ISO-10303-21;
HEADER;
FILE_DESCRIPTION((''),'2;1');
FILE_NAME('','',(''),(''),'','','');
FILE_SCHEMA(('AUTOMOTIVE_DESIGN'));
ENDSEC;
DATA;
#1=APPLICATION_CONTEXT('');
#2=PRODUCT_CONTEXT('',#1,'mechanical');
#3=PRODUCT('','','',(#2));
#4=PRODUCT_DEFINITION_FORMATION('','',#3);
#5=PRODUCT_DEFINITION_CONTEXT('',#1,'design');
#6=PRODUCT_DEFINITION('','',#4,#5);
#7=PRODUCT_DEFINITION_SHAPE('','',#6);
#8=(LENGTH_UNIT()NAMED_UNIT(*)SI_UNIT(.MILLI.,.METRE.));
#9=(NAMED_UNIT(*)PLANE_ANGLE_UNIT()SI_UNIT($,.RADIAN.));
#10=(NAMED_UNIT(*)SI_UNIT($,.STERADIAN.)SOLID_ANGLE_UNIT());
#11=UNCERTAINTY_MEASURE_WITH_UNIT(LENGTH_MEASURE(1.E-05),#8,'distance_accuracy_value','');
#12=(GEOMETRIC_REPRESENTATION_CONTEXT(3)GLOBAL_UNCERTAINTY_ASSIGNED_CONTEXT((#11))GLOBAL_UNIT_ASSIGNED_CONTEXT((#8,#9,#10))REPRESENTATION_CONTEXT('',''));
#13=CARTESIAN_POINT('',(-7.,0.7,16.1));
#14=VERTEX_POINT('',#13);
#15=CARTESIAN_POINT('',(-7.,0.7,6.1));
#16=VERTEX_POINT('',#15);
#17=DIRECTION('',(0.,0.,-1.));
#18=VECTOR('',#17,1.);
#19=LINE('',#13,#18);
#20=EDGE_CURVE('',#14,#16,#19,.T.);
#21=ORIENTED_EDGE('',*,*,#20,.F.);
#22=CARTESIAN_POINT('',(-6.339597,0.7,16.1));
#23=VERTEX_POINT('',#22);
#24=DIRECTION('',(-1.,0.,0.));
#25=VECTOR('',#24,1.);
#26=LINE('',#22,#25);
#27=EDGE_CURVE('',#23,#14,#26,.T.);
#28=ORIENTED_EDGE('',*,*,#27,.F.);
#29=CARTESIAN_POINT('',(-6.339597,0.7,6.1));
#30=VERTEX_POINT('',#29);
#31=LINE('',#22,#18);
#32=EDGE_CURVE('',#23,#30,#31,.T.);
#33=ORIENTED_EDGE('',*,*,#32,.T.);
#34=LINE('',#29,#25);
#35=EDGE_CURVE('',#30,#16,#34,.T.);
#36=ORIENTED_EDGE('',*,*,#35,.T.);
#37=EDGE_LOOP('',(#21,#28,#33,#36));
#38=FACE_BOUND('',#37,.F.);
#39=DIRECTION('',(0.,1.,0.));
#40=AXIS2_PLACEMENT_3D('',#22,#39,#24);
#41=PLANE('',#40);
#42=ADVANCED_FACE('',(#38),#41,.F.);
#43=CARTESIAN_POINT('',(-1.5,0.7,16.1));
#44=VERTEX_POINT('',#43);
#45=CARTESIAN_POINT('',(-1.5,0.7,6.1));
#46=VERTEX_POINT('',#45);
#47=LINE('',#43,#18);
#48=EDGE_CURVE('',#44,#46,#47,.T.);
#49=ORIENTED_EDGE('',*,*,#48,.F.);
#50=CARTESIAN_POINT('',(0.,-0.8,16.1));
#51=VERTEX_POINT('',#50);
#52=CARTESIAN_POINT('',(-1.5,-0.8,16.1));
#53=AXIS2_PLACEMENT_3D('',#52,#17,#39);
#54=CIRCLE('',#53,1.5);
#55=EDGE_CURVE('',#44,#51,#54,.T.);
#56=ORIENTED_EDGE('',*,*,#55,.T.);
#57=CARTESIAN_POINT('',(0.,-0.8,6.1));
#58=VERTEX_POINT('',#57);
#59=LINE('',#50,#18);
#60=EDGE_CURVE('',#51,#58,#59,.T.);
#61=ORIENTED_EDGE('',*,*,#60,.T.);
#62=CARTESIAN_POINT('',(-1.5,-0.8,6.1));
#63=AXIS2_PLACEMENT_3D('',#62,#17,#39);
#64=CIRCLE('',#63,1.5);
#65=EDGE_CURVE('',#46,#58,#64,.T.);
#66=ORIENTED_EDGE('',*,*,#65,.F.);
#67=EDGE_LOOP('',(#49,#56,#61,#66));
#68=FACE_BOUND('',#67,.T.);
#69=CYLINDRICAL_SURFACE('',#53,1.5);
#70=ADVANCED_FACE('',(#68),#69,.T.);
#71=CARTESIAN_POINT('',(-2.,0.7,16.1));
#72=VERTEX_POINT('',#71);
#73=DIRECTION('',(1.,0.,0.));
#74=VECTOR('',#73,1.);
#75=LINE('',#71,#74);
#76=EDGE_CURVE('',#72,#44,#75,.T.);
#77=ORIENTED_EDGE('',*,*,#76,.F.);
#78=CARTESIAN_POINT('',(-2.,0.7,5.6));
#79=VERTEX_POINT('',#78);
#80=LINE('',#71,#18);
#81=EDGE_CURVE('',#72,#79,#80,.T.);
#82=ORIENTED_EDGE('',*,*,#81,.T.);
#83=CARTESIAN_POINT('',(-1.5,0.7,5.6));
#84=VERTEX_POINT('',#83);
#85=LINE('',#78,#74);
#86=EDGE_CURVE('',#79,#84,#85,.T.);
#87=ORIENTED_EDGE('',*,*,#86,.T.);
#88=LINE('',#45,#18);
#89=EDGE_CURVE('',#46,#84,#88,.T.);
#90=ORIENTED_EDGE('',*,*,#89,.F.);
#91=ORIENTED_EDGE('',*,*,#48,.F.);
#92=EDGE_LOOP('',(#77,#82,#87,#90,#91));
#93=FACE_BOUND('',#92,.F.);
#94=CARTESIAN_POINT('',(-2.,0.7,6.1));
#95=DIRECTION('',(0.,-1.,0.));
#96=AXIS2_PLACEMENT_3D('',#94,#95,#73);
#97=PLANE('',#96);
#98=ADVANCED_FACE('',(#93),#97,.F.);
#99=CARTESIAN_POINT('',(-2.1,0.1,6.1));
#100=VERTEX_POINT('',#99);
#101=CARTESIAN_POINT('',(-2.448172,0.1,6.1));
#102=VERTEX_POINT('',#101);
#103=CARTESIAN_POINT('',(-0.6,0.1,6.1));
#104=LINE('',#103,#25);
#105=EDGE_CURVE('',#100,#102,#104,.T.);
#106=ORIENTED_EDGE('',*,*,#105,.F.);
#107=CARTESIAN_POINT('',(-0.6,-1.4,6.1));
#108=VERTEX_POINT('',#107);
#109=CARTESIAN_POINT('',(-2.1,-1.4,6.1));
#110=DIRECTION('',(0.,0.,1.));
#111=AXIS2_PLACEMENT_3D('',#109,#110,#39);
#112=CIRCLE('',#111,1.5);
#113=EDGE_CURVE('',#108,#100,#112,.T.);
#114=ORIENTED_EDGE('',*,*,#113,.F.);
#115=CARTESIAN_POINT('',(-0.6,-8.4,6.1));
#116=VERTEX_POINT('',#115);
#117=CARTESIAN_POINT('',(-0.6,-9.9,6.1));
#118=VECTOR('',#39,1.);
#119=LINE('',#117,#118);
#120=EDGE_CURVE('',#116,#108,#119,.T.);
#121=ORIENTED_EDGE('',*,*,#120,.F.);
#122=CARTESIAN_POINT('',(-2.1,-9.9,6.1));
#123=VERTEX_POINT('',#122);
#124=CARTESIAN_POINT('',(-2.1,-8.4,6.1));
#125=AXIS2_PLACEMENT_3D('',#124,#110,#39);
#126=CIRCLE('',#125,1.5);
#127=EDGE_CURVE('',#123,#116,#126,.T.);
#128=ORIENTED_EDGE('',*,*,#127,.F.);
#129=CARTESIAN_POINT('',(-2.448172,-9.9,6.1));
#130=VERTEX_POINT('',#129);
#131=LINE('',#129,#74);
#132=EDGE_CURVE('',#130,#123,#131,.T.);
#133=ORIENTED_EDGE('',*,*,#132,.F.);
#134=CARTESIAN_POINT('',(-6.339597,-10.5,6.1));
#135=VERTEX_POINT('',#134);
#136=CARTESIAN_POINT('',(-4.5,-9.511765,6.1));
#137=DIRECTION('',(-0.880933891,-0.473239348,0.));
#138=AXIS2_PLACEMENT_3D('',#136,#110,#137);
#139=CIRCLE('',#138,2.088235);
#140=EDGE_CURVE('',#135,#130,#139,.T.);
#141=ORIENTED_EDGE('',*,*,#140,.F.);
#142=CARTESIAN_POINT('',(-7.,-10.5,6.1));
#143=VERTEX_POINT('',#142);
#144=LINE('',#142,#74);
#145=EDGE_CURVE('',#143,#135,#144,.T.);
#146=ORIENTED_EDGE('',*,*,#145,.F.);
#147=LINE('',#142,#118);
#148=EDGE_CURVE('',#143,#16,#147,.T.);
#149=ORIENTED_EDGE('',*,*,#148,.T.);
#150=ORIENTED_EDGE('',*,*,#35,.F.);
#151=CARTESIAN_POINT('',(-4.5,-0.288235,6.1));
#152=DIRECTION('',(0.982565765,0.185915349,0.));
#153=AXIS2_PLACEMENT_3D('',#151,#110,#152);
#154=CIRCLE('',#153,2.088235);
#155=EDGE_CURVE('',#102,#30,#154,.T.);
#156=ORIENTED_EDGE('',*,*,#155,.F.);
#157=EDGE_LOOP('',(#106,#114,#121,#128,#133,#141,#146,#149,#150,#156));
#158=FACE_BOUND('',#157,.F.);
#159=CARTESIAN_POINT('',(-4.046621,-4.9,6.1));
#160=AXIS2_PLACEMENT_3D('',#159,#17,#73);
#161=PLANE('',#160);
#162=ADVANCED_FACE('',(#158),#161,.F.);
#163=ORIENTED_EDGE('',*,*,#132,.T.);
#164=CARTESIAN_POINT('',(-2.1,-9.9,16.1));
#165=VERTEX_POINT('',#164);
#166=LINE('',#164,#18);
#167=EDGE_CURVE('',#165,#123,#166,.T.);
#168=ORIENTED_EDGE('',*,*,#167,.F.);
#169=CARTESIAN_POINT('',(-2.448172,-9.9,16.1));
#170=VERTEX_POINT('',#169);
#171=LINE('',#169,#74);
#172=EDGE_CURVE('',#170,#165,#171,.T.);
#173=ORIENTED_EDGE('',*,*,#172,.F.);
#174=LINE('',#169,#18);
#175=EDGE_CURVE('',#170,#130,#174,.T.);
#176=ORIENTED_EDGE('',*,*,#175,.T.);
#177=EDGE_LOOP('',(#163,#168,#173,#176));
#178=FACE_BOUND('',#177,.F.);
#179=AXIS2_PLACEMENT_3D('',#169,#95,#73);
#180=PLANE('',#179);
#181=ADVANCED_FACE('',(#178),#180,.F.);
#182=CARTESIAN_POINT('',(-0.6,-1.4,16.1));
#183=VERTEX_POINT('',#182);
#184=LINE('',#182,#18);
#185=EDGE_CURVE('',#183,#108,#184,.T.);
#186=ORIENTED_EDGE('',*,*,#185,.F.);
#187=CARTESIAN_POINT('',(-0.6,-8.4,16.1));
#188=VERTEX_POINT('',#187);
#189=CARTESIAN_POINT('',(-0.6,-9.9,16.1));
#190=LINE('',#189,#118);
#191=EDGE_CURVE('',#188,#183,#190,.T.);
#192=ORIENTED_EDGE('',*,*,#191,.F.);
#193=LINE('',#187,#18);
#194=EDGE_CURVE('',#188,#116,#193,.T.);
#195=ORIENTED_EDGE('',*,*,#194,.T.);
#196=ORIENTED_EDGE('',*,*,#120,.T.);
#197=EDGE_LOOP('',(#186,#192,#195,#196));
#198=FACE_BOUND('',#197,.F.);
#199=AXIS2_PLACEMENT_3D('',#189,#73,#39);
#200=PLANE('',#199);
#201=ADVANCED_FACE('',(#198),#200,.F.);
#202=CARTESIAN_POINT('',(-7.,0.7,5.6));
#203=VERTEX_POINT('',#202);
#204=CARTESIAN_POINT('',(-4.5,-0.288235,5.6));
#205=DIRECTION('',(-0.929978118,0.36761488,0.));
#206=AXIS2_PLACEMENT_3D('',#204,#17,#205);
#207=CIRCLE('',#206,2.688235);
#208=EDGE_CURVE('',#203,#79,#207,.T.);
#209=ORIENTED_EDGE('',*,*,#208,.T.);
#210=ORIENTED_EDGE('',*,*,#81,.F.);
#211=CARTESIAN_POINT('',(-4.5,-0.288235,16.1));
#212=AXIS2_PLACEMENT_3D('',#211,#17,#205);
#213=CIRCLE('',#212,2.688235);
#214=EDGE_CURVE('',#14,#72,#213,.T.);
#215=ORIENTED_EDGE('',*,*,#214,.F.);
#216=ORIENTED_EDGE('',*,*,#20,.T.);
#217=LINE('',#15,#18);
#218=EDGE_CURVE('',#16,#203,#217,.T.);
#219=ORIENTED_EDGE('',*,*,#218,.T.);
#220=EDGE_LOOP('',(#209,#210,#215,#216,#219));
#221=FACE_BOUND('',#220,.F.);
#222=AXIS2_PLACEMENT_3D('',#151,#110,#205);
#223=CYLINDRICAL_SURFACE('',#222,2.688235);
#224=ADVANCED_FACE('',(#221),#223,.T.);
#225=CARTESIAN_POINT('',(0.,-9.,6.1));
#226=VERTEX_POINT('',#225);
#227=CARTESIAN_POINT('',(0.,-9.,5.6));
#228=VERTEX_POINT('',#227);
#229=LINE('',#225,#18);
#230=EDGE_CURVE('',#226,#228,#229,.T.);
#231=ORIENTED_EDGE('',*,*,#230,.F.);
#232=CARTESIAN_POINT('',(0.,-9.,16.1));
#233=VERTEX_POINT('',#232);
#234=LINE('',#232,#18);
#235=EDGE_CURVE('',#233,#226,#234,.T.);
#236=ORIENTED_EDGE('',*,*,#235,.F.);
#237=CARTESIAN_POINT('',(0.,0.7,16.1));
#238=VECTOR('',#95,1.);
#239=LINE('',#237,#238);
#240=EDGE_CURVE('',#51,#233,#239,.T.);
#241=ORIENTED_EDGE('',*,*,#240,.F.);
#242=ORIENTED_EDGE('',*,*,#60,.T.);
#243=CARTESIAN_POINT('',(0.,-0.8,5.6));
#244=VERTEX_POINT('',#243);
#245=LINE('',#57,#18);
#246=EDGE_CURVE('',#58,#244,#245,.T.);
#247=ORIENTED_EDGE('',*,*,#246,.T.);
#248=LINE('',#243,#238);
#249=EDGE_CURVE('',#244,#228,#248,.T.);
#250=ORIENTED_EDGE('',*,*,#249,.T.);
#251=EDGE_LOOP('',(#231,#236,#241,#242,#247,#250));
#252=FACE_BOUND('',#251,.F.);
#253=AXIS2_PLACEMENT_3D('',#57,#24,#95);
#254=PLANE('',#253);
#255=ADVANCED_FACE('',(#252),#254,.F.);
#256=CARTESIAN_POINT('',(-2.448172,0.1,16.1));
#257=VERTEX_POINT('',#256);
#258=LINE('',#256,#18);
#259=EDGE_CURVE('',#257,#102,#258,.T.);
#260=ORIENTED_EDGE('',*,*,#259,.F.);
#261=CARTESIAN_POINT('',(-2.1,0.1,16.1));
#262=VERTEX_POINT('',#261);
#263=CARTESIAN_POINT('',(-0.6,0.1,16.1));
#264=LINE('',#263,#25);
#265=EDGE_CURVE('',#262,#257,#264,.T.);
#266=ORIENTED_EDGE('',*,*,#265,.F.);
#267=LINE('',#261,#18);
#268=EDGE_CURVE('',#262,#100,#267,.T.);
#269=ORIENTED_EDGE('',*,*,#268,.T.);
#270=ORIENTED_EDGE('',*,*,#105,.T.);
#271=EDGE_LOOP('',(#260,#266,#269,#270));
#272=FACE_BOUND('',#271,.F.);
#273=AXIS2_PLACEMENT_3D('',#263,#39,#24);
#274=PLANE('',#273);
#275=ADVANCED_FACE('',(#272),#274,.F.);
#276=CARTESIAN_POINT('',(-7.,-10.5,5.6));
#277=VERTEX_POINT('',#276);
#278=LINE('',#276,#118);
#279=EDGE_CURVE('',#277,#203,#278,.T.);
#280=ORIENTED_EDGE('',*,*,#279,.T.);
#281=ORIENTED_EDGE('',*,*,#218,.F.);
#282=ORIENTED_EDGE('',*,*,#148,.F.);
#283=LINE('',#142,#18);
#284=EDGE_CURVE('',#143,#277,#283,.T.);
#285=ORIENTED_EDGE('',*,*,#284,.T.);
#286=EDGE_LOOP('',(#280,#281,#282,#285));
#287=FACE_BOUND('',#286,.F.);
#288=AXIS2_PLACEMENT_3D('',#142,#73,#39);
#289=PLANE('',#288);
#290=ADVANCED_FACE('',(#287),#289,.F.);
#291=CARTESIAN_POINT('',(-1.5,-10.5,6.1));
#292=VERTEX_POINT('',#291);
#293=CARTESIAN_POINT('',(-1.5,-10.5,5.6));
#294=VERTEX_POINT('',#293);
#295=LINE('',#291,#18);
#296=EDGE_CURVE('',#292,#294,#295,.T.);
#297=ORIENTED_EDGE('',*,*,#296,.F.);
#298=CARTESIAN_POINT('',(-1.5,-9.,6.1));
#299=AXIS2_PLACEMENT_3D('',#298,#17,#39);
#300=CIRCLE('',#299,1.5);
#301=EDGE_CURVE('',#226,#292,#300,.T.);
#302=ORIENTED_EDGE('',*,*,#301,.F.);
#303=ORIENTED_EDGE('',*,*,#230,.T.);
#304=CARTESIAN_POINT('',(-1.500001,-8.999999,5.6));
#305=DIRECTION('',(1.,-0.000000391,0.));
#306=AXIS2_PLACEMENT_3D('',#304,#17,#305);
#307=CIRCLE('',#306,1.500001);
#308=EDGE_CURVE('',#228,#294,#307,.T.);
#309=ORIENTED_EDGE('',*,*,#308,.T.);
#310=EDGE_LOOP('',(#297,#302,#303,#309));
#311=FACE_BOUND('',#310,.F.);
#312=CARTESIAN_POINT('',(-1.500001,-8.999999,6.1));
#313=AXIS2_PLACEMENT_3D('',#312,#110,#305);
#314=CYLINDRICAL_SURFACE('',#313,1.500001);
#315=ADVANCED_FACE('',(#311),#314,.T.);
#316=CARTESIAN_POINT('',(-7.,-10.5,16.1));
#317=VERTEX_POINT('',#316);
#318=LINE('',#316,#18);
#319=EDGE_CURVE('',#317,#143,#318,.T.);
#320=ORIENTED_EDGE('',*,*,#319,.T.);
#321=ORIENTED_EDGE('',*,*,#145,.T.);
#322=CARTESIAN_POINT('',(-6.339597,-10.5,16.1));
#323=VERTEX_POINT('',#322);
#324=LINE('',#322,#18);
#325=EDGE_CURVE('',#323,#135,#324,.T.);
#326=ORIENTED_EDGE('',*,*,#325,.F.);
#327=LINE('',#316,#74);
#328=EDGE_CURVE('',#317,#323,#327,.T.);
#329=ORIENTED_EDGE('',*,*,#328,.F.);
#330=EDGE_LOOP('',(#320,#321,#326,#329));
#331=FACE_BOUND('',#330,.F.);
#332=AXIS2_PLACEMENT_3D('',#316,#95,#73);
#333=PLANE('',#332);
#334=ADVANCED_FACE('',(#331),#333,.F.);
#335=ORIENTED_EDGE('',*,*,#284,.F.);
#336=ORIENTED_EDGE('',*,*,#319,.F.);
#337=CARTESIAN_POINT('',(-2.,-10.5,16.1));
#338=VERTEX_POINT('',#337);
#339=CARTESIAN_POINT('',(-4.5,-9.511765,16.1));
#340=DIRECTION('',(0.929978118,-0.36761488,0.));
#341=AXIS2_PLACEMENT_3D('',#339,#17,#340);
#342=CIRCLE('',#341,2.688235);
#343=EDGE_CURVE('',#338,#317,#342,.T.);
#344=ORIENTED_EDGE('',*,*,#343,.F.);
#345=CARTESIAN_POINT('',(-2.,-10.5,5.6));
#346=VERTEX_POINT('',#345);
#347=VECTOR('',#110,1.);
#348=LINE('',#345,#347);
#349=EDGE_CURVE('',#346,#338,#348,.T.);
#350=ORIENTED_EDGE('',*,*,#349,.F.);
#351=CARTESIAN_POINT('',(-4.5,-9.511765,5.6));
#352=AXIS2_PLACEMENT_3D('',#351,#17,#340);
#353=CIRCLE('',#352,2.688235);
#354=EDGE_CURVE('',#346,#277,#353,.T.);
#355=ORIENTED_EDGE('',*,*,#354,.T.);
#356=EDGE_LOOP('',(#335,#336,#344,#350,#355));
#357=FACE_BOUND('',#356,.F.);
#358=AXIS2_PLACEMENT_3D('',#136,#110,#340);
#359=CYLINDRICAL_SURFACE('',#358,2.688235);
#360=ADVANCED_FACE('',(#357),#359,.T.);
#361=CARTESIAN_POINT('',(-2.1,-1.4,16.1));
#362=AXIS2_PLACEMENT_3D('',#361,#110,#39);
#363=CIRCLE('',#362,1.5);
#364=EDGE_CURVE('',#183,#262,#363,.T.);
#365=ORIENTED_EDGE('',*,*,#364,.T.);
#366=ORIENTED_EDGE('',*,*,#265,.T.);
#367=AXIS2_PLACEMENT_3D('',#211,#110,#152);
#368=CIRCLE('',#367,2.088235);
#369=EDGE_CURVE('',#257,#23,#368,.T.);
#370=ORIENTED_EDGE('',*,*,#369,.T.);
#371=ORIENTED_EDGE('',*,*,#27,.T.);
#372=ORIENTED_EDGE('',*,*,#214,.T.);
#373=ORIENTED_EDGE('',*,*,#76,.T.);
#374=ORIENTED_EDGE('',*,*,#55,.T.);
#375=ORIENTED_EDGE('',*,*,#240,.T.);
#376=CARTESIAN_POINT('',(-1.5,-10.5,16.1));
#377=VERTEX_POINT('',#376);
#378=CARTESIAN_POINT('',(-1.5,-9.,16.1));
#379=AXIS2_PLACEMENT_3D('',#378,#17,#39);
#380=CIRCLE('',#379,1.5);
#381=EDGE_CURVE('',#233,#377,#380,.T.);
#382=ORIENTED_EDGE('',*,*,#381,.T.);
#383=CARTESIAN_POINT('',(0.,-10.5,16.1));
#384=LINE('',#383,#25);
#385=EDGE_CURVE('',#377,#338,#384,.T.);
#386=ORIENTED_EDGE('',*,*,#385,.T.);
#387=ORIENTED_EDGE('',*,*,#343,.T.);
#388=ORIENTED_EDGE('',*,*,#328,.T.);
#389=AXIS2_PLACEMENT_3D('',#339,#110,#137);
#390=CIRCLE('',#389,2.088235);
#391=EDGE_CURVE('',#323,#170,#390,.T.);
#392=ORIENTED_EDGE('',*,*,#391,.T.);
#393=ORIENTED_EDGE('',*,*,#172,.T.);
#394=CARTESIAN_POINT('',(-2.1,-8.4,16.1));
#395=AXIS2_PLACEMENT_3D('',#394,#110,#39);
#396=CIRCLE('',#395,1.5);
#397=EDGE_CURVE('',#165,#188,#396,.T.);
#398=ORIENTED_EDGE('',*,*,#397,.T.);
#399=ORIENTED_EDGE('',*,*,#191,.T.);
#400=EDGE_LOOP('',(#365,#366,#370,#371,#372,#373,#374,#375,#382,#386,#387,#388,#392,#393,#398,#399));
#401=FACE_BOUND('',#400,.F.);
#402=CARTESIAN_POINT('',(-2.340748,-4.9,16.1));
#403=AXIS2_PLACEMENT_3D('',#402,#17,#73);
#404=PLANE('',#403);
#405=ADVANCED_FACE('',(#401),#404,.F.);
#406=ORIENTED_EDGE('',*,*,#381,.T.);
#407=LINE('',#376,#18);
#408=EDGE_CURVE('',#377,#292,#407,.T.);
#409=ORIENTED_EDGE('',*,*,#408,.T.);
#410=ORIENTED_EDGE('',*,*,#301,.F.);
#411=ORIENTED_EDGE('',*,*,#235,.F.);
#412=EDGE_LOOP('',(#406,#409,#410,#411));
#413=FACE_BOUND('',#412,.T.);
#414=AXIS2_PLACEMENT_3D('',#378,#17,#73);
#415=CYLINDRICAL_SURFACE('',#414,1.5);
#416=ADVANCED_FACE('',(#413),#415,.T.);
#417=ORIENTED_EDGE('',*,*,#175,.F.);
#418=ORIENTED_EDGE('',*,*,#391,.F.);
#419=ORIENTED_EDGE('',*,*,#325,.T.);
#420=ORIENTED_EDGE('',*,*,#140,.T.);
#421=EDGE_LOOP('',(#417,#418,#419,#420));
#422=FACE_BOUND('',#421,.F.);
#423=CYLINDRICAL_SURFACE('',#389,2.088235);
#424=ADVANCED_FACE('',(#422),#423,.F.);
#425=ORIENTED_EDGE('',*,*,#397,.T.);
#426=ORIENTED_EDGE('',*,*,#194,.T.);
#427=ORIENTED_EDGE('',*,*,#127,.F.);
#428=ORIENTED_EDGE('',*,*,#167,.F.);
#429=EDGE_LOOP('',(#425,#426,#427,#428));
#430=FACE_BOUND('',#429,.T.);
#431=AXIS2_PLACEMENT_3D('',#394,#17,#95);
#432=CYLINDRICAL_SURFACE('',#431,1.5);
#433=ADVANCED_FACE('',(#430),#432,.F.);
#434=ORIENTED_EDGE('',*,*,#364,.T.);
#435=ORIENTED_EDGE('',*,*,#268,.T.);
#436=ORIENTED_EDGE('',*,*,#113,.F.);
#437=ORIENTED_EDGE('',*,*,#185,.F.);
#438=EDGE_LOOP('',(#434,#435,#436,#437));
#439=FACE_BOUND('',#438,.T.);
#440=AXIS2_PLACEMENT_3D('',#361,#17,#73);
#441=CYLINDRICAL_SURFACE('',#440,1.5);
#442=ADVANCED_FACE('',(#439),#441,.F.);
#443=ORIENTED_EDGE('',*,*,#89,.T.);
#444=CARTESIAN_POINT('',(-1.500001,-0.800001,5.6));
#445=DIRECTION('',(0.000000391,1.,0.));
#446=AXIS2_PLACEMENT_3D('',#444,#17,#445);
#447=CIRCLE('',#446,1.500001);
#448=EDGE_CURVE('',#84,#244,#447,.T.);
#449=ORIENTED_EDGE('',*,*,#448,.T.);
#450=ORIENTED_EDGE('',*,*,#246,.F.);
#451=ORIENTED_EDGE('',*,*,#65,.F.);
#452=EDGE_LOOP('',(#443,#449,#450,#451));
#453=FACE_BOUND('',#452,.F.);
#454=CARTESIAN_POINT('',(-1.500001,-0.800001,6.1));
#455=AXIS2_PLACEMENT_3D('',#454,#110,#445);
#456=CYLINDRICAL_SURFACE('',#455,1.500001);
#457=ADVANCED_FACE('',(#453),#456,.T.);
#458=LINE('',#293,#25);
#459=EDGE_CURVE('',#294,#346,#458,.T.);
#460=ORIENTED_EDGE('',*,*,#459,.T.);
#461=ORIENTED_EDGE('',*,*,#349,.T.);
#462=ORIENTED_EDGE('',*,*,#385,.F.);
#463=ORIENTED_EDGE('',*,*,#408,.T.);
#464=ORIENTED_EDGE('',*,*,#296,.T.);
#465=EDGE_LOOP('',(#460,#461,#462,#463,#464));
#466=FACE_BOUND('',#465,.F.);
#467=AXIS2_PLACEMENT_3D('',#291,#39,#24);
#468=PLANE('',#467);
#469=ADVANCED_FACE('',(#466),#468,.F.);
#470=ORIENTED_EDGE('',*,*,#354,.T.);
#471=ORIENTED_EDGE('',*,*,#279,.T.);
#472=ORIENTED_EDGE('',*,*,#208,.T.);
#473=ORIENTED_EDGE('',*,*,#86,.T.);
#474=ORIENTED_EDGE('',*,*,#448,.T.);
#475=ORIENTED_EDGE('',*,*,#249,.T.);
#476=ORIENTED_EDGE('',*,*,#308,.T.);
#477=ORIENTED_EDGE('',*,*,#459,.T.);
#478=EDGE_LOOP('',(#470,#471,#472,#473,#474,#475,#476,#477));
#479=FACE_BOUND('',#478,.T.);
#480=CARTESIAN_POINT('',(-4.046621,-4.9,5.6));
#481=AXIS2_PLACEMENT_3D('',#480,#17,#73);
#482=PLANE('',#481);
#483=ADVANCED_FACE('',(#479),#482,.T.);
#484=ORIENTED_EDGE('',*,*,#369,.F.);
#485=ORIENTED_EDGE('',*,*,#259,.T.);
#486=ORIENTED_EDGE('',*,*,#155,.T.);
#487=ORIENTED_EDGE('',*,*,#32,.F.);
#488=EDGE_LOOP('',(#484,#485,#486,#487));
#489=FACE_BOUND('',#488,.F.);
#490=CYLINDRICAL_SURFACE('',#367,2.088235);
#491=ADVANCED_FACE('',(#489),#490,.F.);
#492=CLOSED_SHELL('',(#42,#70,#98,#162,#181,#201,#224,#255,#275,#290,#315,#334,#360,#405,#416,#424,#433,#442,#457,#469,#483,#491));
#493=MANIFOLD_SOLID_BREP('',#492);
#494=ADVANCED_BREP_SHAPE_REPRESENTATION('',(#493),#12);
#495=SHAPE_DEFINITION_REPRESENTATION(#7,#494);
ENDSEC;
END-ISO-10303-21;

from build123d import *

# Parameters (mm, degrees)
F1_DEPTH = 10
F2_R     = 1.5
F4_DEPTH = 0.5
F5_ANGLE = -90


with BuildPart() as f1:
    # F0 (on Front) → F1 (new body)
    with BuildSketch(Plane.XZ):
        with BuildLine():
            Line((-2, -5.6), (0, -5.6))
            Line((0, -5.6), (0, 5.6))
            Line((0, 5.6), (-2, 5.6))
            ThreePointArc((-2, 5.6), (-4.5, 7.3), (-7, 5.6))
            Line((-7, 5.6), (-6.339597, 5.6))
            ThreePointArc((-6.339597, 5.6), (-4.181785, 6.675612), (-2.448172, 5))
            Line((-2.448172, 5), (-0.6, 5))
            Line((-0.6, 5), (-0.6, -5))
            Line((-0.6, -5), (-2.448172, -5))
            ThreePointArc((-2.448172, -5), (-4.181785, -6.675612), (-6.339597, -5.6))
            Line((-6.339597, -5.6), (-7, -5.6))
            ThreePointArc((-7, -5.6), (-4.5, -7.3), (-2, -5.6))
        make_face()
    extrude(amount=F1_DEPTH)

    # F2
    f2_edges = [f1.edges().sort_by_distance(p)[0] for p in [
        (0, -5, 5.6),
        (0, -5, -5.6),
        (-0.6, -5, 5),
        (-0.6, -5, -5),
    ]]
    fillet(f2_edges, radius=F2_R)

    # F3 (on face) → F4 (join)
    with BuildSketch(Plane.XZ.offset(10)):
        with BuildLine():
            Line((-6.339597, 5.6), (-7, 5.6))
            Line((-7, 5.6), (-7, -5.6))
            Line((-7, -5.6), (-6.339597, -5.6))
            ThreePointArc((-6.339597, -5.6), (-4.181785, -6.675612), (-2.448172, -5))
            Line((-2.448172, -5), (-2.1, -5))
            ThreePointArc((-2.1, -5), (-1.03934, -4.56066), (-0.6, -3.5))
            Line((-0.6, -3.5), (-0.6, 3.5))
            ThreePointArc((-0.6, 3.5), (-1.03934, 4.56066), (-2.1, 5))
            Line((-2.1, 5), (-2.448172, 5))
            ThreePointArc((-2.448172, 5), (-4.181785, 6.675612), (-6.339597, 5.6))
        make_face()
        with BuildLine():
            Line((-1.5, 5.6), (-2, 5.6))
            ThreePointArc((-2, 5.6), (-4.5, 7.3), (-7, 5.6))
            Line((-7, 5.6), (-6.339597, 5.6))
            ThreePointArc((-6.339597, 5.6), (-4.181785, 6.675612), (-2.448172, 5))
            Line((-2.448172, 5), (-2.1, 5))
            ThreePointArc((-2.1, 5), (-1.03934, 4.56066), (-0.6, 3.5))
            Line((-0.6, 3.5), (-0.6, -3.5))
            ThreePointArc((-0.6, -3.5), (-1.03934, -4.56066), (-2.1, -5))
            Line((-2.1, -5), (-2.448172, -5))
            ThreePointArc((-2.448172, -5), (-4.181785, -6.675612), (-6.339597, -5.6))
            Line((-6.339597, -5.6), (-7, -5.6))
            ThreePointArc((-7, -5.6), (-4.5, -7.3), (-2, -5.6))
            Line((-2, -5.6), (-1.5, -5.6))
            ThreePointArc((-1.5, -5.6), (-0.43934, -5.16066), (0, -4.1))
            Line((0, -4.1), (0, 4.1))
            ThreePointArc((0, 4.1), (-0.43934, 5.16066), (-1.5, 5.6))
        make_face()
    extrude(amount=F4_DEPTH)


with BuildPart() as f1_1:
    # F5: moved
    add(f1.part.rotate(Axis((-1.75, -10.5, 5.6), (-1, 0, 0)), F5_ANGLE))


solid = f1_1.part
